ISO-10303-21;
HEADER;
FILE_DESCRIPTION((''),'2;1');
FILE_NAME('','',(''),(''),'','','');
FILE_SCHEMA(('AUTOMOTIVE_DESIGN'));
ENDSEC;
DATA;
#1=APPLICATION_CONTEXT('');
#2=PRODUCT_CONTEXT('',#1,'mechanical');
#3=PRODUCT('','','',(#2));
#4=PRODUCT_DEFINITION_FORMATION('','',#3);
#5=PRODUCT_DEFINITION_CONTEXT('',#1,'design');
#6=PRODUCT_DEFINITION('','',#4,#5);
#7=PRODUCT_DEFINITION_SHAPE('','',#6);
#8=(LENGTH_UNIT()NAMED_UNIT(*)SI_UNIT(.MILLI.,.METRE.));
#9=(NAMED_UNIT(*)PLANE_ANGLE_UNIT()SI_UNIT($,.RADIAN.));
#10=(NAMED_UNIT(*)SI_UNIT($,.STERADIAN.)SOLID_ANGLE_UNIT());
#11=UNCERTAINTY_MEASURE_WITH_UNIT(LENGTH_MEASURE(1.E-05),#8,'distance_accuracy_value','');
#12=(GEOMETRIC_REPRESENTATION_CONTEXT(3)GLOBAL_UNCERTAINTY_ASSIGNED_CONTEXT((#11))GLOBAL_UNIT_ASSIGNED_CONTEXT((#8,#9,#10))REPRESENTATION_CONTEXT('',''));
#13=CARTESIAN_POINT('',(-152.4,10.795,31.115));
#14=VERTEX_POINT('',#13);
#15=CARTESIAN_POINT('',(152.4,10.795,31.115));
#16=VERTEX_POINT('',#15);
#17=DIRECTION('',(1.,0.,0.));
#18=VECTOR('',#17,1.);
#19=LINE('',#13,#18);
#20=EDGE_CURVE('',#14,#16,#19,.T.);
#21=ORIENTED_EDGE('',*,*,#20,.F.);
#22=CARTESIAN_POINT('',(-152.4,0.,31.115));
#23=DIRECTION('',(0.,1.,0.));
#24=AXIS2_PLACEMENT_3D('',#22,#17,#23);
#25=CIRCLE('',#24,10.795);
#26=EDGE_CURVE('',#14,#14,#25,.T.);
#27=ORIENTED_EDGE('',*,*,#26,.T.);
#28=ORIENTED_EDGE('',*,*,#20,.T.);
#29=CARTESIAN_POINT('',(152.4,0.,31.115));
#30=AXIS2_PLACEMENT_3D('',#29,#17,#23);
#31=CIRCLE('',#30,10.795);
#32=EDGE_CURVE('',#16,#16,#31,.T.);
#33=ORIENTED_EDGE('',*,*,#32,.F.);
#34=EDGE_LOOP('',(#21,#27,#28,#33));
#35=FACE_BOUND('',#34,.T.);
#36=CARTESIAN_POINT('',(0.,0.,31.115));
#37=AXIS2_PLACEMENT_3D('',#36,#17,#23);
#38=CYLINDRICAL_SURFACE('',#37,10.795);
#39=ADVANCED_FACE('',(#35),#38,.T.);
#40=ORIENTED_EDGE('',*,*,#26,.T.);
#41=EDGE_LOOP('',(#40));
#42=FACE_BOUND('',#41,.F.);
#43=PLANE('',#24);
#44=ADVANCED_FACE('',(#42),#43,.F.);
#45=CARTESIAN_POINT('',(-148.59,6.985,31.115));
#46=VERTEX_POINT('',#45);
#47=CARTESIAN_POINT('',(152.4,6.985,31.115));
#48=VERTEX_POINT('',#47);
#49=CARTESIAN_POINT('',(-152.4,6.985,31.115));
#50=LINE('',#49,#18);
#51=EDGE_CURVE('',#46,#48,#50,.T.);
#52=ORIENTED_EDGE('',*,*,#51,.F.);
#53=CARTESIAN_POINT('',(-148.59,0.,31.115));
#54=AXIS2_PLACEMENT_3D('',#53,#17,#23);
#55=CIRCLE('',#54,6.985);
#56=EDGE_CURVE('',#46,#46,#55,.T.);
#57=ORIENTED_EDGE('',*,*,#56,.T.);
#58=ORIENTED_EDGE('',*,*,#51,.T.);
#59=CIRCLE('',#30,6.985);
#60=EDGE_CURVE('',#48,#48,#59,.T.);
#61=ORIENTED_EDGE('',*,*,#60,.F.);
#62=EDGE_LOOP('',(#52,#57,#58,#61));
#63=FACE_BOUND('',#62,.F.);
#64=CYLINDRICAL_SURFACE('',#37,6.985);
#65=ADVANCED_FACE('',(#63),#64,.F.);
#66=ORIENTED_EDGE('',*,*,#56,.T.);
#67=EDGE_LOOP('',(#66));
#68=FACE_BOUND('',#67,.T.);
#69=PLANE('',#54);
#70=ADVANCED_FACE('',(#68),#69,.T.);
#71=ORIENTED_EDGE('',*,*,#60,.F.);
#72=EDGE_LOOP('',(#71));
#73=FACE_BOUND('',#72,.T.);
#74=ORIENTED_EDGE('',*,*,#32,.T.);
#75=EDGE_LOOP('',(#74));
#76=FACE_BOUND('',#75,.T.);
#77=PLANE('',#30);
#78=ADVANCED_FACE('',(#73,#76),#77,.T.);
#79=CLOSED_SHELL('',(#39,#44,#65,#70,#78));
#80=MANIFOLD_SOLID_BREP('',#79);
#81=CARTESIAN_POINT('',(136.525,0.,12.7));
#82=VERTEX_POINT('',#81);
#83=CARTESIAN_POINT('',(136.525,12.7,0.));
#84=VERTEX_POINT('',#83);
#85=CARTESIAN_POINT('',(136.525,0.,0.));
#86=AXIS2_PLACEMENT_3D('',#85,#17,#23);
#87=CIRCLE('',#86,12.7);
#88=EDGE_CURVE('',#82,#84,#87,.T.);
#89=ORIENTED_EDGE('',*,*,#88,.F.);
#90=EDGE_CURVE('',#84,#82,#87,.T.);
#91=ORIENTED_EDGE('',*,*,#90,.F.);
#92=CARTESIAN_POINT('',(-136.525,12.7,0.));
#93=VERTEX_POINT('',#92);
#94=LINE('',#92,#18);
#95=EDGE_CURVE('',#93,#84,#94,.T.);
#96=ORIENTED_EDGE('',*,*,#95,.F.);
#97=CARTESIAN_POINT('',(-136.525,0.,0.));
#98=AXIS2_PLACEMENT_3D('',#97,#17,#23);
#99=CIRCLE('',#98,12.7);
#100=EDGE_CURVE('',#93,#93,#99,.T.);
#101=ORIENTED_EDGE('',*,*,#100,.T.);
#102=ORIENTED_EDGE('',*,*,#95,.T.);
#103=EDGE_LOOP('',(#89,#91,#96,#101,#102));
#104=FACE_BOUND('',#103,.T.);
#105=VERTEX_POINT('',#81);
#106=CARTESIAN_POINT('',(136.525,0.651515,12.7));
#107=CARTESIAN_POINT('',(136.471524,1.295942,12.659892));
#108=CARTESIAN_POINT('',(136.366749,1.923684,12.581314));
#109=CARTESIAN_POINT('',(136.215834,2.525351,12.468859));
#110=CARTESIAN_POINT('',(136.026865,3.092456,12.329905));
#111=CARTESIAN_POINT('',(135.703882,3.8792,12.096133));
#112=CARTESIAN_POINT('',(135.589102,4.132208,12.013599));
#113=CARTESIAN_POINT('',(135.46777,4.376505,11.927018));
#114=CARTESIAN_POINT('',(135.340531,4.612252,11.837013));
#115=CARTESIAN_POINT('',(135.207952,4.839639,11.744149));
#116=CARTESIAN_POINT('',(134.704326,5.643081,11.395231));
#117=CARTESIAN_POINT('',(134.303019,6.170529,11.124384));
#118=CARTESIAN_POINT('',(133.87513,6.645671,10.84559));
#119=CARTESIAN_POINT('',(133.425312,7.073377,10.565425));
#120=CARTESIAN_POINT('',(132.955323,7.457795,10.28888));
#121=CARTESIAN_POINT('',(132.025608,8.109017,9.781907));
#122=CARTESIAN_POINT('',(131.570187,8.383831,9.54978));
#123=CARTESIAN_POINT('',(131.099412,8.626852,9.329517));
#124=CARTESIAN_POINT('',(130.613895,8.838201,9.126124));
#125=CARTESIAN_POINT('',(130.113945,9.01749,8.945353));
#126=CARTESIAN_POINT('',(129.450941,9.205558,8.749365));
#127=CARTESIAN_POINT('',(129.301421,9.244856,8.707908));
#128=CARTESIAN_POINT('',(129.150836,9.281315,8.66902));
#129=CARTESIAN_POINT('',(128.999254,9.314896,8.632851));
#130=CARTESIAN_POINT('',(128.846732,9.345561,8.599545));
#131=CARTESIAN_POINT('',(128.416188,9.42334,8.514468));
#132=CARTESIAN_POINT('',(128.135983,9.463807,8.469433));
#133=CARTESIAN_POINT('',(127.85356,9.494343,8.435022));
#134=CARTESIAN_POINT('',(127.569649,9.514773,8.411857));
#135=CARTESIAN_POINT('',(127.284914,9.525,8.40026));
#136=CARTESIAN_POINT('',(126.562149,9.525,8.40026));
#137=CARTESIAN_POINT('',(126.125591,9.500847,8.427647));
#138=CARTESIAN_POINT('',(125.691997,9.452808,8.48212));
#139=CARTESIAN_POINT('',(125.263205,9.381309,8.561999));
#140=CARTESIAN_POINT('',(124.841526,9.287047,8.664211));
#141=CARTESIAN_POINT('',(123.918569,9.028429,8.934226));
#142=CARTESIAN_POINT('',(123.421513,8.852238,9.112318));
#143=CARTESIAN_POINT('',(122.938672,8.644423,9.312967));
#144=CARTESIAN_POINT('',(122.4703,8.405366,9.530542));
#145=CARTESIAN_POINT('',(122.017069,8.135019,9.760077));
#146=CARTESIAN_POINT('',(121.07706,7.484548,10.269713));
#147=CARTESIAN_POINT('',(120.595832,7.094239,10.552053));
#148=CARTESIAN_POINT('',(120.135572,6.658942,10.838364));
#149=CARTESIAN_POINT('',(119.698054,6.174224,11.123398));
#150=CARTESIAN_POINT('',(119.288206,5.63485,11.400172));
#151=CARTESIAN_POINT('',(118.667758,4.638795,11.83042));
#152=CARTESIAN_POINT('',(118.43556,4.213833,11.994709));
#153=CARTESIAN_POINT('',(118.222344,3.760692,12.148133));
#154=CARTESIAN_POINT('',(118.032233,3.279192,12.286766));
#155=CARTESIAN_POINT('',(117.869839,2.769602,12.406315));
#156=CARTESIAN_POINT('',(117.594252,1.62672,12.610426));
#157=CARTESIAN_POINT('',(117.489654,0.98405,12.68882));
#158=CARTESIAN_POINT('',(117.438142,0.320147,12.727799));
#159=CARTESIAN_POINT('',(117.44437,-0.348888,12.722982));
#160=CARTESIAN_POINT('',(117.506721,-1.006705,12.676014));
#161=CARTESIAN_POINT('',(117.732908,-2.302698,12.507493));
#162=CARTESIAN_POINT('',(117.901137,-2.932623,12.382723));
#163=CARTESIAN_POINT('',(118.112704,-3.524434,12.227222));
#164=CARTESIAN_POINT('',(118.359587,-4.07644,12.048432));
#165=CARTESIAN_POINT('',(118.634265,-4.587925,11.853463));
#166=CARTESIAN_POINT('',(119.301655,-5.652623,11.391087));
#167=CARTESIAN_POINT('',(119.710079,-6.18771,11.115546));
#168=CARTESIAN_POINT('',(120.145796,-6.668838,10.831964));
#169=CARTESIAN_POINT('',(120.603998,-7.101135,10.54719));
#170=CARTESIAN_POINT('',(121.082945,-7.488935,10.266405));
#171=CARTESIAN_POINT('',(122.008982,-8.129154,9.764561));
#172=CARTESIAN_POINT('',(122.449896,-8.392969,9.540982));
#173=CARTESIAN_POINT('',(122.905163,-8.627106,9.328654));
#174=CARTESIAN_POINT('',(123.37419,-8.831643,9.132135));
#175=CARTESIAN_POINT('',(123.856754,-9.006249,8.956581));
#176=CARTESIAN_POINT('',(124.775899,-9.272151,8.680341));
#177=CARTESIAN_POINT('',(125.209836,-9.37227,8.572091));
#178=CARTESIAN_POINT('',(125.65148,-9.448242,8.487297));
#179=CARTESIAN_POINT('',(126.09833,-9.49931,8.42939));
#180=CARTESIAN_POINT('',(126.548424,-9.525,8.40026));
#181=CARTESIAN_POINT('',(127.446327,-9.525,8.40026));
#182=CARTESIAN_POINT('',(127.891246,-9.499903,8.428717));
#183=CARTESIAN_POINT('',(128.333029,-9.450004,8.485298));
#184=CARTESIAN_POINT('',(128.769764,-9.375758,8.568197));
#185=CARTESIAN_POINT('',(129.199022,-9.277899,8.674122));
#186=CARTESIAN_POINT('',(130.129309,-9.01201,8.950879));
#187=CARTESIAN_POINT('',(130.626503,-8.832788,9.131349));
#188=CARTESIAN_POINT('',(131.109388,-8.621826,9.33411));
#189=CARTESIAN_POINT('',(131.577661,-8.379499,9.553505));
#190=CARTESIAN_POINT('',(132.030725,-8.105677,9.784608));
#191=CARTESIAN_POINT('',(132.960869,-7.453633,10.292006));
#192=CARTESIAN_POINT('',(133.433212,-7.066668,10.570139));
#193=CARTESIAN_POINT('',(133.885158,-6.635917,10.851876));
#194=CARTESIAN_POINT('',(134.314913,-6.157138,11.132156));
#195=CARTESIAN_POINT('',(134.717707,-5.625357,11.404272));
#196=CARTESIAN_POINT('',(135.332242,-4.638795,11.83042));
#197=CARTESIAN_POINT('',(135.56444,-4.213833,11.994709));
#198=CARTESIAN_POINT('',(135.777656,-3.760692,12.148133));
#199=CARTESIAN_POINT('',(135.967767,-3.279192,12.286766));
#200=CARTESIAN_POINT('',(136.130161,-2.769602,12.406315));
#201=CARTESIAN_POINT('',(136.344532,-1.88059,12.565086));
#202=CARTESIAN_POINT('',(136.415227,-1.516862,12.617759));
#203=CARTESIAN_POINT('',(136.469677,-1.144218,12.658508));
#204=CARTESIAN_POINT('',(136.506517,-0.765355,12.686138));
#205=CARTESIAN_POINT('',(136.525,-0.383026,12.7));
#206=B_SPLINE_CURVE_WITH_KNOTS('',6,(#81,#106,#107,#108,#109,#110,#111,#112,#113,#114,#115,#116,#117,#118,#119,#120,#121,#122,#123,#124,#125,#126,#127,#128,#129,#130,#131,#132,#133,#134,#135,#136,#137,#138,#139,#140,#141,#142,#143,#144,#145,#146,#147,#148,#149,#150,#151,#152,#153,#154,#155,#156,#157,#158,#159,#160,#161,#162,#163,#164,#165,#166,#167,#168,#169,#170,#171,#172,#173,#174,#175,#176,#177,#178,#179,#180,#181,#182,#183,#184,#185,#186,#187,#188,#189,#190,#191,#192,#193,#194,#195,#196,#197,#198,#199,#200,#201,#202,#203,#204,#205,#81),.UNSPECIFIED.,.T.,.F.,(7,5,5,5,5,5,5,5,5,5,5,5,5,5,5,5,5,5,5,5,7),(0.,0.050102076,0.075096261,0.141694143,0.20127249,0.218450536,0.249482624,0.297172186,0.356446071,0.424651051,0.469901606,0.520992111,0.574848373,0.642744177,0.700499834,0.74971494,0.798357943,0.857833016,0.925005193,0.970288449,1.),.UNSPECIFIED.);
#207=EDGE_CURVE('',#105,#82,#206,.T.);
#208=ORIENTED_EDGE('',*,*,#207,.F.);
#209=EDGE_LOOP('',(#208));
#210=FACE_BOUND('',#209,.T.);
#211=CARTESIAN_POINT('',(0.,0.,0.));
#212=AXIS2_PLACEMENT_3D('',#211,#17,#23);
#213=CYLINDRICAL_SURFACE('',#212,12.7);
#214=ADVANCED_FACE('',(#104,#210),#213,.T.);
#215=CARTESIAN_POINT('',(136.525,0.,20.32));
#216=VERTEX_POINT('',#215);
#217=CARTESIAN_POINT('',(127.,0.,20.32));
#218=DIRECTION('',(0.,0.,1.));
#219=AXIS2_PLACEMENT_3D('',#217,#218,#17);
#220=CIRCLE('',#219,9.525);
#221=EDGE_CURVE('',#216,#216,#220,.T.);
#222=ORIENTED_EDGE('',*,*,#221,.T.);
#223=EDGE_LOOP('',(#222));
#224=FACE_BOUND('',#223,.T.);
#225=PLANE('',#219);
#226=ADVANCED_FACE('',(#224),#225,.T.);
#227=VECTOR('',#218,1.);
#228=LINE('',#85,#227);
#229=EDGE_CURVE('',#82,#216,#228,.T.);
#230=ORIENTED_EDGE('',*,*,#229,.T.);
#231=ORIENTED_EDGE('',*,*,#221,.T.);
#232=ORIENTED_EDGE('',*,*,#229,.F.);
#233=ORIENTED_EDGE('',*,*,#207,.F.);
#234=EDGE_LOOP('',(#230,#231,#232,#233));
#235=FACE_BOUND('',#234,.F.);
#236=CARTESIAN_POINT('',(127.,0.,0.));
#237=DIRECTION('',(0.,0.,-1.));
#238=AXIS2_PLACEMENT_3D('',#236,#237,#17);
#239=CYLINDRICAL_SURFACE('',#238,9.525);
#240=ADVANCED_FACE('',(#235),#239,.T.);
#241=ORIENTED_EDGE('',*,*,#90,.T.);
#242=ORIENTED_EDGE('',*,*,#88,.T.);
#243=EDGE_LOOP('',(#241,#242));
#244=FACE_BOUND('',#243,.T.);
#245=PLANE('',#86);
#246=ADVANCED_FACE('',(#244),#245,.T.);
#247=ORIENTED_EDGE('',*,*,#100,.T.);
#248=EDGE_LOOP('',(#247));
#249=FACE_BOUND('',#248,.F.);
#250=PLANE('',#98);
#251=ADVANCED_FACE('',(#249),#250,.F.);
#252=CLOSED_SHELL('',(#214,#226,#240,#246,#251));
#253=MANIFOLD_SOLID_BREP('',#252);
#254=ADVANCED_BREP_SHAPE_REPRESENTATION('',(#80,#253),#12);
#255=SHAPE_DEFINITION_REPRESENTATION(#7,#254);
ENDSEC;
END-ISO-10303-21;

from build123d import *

# Parameters (mm, degrees)
F0_R     = 12.7
F1_DEPTH = 136.525
F2_R     = 9.525
F3_DEPTH = 20.32
F4_R     = 10.795
F5_DEPTH = 152.4
F6_T     = -3.81


with BuildPart() as f1:
    # F0 (on Right) → F1 (new body, symmetric)
    with BuildSketch(Plane.YZ):
        Circle(F0_R)
    extrude(amount=F1_DEPTH, both=True)

    # F2 (on Top) → F3 (join)
    with BuildSketch(Plane.XY):
        with Locations((127, 0)):
            Circle(F2_R)
    extrude(amount=F3_DEPTH)


with BuildPart() as f5:
    # F4 (on Right) → F5 (new body, symmetric)
    with BuildSketch(Plane.YZ):
        with Locations((0, 31.115)):
            Circle(F4_R)
    extrude(amount=F5_DEPTH, both=True)

    # F6
    f6_openings = [f5.faces().sort_by_distance(p)[0] for p in [
        (152.4, 0, 31.115),
    ]]
    offset(amount=F6_T, openings=f6_openings)


solid = Compound([f1.part, f5.part])
